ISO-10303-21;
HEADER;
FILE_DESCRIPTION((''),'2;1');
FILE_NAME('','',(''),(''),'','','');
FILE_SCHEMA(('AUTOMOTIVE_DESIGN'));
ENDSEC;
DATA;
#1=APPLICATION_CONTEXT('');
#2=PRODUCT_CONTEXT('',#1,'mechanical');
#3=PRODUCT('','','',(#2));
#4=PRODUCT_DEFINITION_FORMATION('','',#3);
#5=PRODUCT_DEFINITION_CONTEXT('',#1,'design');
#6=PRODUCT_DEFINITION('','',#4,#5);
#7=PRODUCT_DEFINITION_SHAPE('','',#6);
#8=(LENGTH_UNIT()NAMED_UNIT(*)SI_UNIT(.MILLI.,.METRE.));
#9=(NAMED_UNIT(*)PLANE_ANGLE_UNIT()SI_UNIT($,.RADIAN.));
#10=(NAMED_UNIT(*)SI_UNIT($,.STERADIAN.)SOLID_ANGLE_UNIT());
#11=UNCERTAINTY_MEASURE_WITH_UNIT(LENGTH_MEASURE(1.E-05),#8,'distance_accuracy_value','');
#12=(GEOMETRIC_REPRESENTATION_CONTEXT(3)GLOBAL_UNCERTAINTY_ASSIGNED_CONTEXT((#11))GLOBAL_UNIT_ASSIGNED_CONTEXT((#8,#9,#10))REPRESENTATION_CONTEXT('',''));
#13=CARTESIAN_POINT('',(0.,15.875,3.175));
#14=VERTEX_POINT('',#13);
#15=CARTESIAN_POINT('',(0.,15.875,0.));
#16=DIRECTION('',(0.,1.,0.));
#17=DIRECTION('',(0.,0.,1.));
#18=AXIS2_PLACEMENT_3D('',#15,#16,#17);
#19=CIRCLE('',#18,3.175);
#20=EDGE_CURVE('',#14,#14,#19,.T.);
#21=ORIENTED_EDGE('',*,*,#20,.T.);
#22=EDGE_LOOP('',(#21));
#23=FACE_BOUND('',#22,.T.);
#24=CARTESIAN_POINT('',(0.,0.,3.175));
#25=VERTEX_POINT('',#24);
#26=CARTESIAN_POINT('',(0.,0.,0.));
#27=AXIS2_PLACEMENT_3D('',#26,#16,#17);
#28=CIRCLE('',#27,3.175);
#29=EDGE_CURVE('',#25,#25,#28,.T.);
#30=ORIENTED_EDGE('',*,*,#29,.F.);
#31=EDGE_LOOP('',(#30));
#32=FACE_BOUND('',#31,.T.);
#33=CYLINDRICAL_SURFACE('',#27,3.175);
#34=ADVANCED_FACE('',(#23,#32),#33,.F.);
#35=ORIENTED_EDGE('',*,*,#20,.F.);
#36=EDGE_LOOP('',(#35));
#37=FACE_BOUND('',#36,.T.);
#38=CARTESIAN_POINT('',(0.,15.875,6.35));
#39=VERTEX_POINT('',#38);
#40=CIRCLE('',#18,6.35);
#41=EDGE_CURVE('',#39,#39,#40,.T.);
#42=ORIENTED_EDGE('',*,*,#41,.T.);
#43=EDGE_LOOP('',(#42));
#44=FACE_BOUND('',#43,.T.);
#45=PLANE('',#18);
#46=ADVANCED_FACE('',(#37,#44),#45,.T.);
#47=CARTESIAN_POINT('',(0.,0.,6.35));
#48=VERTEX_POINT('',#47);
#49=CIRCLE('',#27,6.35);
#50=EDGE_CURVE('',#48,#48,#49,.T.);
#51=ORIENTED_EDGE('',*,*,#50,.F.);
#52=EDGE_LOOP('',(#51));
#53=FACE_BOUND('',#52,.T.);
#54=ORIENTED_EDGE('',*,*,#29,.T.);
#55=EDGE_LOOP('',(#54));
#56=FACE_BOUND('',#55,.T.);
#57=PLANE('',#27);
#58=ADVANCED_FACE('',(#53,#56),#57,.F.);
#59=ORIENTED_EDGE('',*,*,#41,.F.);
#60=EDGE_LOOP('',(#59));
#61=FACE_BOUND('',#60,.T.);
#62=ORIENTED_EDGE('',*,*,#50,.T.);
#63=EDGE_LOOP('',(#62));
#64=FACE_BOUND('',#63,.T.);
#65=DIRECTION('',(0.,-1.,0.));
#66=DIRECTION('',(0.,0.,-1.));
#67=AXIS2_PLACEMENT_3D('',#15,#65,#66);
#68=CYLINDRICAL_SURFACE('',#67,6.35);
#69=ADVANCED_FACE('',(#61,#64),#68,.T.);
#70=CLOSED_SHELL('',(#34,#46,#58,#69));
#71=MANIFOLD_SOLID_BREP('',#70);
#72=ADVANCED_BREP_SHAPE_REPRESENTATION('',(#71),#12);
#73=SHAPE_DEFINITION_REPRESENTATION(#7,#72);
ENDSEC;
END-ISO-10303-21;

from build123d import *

# Parameters (mm, degrees)
SKETCH1_R           = 6.35
BOSS_EXTRUDE1_DEPTH = 15.875
SKETCH2_R           = 3.175
CUT_EXTRUDE1_DEPTH  = 19.238986403


with BuildPart() as part:
    # Sketch1 → Boss-Extrude1 (new body)
    with BuildSketch(Plane(origin=(0, 0, 0), x_dir=(1, 0, 0), z_dir=(0, 1, 0))):
        with Locations(Location((0, 0, 0), (0, 0, 270))):
            Circle(SKETCH1_R)
    extrude(amount=BOSS_EXTRUDE1_DEPTH)

    # Sketch2 → Cut-Extrude1 (cut, through all)
    with BuildSketch(Plane(origin=(0, 15.875, 0), x_dir=(1, 0, 0), z_dir=(0, 1, 0))):
        with Locations(Location((0, 0, 0), (0, 0, 270))):
            Circle(SKETCH2_R)
    extrude(amount=-CUT_EXTRUDE1_DEPTH, mode=Mode.SUBTRACT)


solid = part.part
